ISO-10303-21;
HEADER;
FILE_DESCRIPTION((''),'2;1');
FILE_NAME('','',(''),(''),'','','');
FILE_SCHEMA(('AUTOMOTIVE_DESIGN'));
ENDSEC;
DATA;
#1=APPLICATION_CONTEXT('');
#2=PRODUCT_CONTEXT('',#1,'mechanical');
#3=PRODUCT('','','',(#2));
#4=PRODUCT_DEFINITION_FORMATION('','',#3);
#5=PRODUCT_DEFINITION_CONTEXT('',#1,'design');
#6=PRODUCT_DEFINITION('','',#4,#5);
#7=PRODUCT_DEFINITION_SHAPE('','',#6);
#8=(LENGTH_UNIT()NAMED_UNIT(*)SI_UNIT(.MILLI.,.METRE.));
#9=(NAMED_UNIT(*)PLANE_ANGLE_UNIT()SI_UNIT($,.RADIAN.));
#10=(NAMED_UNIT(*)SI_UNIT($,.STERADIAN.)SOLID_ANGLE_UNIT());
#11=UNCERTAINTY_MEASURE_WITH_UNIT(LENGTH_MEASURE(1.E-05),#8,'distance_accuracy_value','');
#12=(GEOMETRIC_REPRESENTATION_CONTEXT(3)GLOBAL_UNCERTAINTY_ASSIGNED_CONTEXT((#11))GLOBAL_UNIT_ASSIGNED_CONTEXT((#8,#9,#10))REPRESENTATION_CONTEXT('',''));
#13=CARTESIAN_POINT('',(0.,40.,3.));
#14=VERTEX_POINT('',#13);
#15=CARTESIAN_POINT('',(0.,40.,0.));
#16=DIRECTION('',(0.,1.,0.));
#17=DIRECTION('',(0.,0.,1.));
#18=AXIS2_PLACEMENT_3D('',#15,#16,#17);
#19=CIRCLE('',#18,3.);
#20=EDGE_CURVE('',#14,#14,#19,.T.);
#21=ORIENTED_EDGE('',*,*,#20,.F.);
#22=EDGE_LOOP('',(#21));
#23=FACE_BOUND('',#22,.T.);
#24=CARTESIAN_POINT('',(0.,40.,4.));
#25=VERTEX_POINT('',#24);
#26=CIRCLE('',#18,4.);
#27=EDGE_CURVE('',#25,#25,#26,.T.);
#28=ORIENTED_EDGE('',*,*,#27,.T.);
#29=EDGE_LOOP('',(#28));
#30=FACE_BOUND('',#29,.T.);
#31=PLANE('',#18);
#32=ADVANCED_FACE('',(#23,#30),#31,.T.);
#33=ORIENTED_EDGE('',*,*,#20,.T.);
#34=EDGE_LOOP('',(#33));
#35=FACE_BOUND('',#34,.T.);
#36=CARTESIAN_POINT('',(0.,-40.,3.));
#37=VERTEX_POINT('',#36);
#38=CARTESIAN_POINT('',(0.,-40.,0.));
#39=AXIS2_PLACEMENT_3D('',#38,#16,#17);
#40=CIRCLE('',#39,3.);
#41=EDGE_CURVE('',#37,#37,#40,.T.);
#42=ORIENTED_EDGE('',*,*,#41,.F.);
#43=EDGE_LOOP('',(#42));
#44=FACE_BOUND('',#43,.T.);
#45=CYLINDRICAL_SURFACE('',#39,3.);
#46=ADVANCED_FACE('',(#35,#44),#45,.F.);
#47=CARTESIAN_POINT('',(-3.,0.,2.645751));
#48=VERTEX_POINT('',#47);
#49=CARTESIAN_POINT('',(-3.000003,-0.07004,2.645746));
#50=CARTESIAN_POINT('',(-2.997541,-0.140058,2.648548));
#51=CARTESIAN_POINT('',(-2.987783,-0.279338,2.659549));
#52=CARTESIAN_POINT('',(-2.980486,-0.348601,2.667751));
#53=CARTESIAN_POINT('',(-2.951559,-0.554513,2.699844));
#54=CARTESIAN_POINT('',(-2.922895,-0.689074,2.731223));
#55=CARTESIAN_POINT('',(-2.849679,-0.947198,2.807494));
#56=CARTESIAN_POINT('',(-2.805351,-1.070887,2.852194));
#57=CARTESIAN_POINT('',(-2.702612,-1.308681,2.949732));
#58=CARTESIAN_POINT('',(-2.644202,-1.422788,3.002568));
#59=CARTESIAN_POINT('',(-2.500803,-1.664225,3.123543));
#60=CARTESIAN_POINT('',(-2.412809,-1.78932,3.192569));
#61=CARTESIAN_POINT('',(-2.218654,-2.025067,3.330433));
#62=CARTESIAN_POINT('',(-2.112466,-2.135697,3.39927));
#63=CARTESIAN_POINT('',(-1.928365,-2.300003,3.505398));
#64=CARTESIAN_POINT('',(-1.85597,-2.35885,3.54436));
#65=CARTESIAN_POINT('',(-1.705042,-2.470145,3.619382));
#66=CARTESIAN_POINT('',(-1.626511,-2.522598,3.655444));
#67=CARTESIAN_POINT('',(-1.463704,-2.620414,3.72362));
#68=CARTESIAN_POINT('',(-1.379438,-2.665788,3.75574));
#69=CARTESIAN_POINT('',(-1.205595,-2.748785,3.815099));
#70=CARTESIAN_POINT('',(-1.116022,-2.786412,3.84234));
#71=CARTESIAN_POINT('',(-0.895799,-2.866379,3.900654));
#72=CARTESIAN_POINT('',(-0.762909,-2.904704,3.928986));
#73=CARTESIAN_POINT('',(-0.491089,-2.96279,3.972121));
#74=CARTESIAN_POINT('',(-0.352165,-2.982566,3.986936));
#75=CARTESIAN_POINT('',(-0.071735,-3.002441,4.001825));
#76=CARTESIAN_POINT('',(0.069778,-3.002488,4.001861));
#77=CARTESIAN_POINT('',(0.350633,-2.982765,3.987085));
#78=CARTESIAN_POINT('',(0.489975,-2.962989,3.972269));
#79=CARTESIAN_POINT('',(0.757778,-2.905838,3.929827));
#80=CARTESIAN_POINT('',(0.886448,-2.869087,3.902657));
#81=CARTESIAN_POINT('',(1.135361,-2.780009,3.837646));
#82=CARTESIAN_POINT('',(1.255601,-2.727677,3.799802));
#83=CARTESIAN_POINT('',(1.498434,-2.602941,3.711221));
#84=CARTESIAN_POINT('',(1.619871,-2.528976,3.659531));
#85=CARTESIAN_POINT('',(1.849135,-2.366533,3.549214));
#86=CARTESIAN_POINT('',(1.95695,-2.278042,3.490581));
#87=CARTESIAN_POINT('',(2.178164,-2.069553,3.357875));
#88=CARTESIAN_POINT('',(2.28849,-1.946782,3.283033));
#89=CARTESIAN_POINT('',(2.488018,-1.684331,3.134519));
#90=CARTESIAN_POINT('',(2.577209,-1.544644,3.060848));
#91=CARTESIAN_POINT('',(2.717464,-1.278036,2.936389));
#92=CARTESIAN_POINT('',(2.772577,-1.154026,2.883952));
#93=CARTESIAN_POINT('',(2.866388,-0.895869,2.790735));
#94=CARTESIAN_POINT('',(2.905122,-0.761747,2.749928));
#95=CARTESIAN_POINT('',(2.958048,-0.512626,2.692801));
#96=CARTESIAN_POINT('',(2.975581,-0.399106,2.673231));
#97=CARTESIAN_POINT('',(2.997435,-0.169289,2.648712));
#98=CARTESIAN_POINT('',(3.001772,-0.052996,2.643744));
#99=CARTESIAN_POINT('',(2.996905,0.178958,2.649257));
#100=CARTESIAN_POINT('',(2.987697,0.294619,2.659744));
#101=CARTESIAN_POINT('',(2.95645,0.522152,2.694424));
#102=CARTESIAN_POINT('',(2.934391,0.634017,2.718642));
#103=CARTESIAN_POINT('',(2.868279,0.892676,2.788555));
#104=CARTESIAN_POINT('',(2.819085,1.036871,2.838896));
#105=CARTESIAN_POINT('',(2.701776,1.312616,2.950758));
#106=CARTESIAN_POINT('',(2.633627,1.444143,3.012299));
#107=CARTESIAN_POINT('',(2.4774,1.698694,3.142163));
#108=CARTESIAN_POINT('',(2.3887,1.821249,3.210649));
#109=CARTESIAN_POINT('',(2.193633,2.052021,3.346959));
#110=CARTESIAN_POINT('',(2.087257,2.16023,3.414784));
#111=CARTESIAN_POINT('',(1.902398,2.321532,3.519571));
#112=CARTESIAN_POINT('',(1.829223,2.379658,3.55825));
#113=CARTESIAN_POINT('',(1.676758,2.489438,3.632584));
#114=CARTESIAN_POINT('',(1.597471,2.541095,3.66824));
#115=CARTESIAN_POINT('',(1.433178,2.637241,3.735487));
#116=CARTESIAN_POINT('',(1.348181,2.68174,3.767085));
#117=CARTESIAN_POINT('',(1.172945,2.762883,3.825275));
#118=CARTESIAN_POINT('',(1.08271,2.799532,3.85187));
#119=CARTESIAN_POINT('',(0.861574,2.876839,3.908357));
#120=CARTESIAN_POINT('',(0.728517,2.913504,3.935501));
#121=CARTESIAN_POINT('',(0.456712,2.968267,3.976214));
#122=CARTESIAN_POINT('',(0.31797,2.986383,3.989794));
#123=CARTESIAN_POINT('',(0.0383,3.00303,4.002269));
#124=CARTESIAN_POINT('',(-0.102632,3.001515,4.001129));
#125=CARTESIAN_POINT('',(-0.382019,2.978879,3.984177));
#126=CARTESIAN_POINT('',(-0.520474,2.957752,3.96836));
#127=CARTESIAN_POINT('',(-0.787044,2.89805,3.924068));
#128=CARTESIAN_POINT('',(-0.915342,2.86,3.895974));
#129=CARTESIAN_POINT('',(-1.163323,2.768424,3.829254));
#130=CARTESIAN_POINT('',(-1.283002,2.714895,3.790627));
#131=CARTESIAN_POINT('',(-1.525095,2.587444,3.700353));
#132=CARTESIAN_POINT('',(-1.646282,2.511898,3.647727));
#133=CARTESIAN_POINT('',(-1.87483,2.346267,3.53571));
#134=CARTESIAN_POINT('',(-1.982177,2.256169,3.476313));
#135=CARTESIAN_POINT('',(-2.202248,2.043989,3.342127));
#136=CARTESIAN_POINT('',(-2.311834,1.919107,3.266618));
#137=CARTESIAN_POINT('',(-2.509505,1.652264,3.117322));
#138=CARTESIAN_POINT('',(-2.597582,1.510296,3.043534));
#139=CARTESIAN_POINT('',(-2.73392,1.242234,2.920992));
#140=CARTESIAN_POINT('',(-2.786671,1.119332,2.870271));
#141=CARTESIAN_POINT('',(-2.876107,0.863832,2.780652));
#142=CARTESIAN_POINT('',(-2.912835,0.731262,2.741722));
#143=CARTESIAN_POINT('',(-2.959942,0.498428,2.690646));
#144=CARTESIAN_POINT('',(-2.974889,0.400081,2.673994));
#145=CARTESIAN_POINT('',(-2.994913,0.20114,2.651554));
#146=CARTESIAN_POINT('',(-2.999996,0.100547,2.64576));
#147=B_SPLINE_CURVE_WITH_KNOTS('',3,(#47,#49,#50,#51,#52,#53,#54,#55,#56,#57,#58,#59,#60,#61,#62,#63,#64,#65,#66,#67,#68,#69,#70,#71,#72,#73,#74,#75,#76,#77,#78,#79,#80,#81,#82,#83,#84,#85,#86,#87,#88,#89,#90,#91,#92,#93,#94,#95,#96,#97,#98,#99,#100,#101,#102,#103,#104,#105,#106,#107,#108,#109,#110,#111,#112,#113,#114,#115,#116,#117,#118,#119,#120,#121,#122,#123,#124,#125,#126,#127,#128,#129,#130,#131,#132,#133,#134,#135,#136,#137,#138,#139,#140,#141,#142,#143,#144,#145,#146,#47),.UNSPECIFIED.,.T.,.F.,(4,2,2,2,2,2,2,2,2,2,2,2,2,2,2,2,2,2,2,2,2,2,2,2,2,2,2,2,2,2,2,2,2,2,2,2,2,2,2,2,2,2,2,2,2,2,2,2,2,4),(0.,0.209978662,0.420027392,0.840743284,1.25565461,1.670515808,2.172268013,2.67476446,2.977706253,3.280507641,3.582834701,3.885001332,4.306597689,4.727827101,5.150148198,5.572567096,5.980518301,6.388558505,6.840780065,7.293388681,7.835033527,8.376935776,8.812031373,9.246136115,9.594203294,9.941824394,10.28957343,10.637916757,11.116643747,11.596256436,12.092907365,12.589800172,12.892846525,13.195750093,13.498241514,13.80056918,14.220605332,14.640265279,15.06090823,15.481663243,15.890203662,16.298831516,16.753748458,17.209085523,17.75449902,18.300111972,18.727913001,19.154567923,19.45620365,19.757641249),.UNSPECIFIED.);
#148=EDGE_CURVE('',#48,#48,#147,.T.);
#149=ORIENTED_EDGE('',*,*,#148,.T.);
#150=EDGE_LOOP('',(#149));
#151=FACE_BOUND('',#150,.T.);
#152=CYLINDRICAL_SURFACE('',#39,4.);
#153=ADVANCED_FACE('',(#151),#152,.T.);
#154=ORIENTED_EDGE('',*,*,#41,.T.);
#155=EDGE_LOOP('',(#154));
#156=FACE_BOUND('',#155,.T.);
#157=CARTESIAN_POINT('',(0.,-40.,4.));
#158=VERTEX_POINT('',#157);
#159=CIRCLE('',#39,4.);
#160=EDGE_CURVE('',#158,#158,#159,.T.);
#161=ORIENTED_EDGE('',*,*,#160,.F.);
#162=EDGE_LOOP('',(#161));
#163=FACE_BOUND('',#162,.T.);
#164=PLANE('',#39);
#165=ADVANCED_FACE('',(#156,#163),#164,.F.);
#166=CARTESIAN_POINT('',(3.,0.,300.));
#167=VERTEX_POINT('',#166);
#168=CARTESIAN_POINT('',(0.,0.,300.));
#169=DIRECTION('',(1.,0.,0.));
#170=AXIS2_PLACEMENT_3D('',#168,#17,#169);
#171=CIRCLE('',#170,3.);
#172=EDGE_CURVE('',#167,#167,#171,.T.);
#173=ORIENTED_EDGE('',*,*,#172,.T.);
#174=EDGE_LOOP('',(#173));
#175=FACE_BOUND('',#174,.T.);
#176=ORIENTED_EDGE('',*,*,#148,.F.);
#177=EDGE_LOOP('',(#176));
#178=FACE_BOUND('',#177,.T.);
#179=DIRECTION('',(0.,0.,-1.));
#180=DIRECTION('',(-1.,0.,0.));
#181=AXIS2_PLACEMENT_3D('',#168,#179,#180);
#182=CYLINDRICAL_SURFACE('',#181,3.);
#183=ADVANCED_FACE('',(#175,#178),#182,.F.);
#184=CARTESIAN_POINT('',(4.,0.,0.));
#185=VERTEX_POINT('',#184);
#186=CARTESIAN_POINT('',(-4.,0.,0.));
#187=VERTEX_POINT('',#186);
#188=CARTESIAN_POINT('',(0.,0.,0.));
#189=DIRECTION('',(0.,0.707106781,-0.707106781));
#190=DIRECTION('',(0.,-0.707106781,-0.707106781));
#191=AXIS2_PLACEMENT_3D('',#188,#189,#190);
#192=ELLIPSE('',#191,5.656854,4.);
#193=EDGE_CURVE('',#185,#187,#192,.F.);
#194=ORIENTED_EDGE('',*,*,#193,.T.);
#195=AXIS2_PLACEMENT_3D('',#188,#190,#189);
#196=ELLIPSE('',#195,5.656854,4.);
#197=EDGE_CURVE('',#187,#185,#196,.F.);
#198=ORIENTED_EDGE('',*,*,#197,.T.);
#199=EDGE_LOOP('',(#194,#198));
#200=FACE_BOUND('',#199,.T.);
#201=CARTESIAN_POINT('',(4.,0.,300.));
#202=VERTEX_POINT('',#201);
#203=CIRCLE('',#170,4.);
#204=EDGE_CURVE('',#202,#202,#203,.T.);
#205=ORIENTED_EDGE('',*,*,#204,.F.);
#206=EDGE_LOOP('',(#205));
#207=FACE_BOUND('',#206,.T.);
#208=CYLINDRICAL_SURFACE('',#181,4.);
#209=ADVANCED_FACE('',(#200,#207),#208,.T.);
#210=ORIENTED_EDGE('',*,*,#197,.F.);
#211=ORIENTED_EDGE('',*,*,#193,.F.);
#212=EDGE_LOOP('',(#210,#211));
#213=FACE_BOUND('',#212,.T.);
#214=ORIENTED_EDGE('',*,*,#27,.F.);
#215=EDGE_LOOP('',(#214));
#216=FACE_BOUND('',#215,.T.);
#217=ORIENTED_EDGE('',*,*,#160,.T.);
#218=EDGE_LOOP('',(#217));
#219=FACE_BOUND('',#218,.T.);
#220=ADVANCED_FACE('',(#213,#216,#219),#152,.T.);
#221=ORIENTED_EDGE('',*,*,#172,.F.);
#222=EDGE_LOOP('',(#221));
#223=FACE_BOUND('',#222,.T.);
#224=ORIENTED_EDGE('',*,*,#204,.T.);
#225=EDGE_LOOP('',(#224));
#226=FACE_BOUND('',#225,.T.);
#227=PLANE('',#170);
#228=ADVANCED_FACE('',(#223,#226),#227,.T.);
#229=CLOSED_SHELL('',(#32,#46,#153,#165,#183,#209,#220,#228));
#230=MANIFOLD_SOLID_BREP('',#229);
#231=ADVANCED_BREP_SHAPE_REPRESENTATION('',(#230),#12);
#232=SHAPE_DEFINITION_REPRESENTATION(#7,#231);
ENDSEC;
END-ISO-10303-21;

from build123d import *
from build123d.topology import SkipClean

# Parameters (mm, degrees)
SKETCH3_R                = 4
SKETCH3_R_2              = 3
BOSS_EXTRUDE1_DEPTH      = 300
BOSS_EXTRUDE3_DEPTH      = 40
BOSS_EXTRUDE3_DEPTH_BACK = 40
SKETCH6_R                = 4
SKETCH6_R_2              = 3
CUT_EXTRUDE1_DEPTH       = 311.509259244
CUT_EXTRUDE1_DEPTH_BACK  = 311.509259244
SKETCH7_R                = 3


with BuildPart() as part:
    # Sketch3 → Boss-Extrude1 (new body)
    with BuildSketch(Plane.XY):
        Circle(SKETCH3_R)
        Circle(SKETCH3_R_2, mode=Mode.SUBTRACT)
    extrude(amount=BOSS_EXTRUDE1_DEPTH)

    # Sketch6 → Boss-Extrude3 (add, two sides: drawn at the far end of the back side and taken through both)
    with BuildSketch(Plane(origin=(0, 0, 0), x_dir=(1, 0, 0), z_dir=(0, 1, 0)).offset(-BOSS_EXTRUDE3_DEPTH_BACK)):
        Circle(SKETCH6_R)
        Circle(SKETCH6_R_2, mode=Mode.SUBTRACT)
    extrude(amount=BOSS_EXTRUDE3_DEPTH + BOSS_EXTRUDE3_DEPTH_BACK)

    # Sketch7 → Cut-Extrude1 (cut, two sides: drawn at the far end of the back side and taken through both)
    with SkipClean():  # the faces are left unmerged after this step: merging them gives an invalid solid
        with BuildSketch(Plane.XZ.offset(40).offset(-CUT_EXTRUDE1_DEPTH_BACK)):
            Circle(SKETCH7_R)
        extrude(amount=CUT_EXTRUDE1_DEPTH + CUT_EXTRUDE1_DEPTH_BACK, mode=Mode.SUBTRACT)


solid = part.part
